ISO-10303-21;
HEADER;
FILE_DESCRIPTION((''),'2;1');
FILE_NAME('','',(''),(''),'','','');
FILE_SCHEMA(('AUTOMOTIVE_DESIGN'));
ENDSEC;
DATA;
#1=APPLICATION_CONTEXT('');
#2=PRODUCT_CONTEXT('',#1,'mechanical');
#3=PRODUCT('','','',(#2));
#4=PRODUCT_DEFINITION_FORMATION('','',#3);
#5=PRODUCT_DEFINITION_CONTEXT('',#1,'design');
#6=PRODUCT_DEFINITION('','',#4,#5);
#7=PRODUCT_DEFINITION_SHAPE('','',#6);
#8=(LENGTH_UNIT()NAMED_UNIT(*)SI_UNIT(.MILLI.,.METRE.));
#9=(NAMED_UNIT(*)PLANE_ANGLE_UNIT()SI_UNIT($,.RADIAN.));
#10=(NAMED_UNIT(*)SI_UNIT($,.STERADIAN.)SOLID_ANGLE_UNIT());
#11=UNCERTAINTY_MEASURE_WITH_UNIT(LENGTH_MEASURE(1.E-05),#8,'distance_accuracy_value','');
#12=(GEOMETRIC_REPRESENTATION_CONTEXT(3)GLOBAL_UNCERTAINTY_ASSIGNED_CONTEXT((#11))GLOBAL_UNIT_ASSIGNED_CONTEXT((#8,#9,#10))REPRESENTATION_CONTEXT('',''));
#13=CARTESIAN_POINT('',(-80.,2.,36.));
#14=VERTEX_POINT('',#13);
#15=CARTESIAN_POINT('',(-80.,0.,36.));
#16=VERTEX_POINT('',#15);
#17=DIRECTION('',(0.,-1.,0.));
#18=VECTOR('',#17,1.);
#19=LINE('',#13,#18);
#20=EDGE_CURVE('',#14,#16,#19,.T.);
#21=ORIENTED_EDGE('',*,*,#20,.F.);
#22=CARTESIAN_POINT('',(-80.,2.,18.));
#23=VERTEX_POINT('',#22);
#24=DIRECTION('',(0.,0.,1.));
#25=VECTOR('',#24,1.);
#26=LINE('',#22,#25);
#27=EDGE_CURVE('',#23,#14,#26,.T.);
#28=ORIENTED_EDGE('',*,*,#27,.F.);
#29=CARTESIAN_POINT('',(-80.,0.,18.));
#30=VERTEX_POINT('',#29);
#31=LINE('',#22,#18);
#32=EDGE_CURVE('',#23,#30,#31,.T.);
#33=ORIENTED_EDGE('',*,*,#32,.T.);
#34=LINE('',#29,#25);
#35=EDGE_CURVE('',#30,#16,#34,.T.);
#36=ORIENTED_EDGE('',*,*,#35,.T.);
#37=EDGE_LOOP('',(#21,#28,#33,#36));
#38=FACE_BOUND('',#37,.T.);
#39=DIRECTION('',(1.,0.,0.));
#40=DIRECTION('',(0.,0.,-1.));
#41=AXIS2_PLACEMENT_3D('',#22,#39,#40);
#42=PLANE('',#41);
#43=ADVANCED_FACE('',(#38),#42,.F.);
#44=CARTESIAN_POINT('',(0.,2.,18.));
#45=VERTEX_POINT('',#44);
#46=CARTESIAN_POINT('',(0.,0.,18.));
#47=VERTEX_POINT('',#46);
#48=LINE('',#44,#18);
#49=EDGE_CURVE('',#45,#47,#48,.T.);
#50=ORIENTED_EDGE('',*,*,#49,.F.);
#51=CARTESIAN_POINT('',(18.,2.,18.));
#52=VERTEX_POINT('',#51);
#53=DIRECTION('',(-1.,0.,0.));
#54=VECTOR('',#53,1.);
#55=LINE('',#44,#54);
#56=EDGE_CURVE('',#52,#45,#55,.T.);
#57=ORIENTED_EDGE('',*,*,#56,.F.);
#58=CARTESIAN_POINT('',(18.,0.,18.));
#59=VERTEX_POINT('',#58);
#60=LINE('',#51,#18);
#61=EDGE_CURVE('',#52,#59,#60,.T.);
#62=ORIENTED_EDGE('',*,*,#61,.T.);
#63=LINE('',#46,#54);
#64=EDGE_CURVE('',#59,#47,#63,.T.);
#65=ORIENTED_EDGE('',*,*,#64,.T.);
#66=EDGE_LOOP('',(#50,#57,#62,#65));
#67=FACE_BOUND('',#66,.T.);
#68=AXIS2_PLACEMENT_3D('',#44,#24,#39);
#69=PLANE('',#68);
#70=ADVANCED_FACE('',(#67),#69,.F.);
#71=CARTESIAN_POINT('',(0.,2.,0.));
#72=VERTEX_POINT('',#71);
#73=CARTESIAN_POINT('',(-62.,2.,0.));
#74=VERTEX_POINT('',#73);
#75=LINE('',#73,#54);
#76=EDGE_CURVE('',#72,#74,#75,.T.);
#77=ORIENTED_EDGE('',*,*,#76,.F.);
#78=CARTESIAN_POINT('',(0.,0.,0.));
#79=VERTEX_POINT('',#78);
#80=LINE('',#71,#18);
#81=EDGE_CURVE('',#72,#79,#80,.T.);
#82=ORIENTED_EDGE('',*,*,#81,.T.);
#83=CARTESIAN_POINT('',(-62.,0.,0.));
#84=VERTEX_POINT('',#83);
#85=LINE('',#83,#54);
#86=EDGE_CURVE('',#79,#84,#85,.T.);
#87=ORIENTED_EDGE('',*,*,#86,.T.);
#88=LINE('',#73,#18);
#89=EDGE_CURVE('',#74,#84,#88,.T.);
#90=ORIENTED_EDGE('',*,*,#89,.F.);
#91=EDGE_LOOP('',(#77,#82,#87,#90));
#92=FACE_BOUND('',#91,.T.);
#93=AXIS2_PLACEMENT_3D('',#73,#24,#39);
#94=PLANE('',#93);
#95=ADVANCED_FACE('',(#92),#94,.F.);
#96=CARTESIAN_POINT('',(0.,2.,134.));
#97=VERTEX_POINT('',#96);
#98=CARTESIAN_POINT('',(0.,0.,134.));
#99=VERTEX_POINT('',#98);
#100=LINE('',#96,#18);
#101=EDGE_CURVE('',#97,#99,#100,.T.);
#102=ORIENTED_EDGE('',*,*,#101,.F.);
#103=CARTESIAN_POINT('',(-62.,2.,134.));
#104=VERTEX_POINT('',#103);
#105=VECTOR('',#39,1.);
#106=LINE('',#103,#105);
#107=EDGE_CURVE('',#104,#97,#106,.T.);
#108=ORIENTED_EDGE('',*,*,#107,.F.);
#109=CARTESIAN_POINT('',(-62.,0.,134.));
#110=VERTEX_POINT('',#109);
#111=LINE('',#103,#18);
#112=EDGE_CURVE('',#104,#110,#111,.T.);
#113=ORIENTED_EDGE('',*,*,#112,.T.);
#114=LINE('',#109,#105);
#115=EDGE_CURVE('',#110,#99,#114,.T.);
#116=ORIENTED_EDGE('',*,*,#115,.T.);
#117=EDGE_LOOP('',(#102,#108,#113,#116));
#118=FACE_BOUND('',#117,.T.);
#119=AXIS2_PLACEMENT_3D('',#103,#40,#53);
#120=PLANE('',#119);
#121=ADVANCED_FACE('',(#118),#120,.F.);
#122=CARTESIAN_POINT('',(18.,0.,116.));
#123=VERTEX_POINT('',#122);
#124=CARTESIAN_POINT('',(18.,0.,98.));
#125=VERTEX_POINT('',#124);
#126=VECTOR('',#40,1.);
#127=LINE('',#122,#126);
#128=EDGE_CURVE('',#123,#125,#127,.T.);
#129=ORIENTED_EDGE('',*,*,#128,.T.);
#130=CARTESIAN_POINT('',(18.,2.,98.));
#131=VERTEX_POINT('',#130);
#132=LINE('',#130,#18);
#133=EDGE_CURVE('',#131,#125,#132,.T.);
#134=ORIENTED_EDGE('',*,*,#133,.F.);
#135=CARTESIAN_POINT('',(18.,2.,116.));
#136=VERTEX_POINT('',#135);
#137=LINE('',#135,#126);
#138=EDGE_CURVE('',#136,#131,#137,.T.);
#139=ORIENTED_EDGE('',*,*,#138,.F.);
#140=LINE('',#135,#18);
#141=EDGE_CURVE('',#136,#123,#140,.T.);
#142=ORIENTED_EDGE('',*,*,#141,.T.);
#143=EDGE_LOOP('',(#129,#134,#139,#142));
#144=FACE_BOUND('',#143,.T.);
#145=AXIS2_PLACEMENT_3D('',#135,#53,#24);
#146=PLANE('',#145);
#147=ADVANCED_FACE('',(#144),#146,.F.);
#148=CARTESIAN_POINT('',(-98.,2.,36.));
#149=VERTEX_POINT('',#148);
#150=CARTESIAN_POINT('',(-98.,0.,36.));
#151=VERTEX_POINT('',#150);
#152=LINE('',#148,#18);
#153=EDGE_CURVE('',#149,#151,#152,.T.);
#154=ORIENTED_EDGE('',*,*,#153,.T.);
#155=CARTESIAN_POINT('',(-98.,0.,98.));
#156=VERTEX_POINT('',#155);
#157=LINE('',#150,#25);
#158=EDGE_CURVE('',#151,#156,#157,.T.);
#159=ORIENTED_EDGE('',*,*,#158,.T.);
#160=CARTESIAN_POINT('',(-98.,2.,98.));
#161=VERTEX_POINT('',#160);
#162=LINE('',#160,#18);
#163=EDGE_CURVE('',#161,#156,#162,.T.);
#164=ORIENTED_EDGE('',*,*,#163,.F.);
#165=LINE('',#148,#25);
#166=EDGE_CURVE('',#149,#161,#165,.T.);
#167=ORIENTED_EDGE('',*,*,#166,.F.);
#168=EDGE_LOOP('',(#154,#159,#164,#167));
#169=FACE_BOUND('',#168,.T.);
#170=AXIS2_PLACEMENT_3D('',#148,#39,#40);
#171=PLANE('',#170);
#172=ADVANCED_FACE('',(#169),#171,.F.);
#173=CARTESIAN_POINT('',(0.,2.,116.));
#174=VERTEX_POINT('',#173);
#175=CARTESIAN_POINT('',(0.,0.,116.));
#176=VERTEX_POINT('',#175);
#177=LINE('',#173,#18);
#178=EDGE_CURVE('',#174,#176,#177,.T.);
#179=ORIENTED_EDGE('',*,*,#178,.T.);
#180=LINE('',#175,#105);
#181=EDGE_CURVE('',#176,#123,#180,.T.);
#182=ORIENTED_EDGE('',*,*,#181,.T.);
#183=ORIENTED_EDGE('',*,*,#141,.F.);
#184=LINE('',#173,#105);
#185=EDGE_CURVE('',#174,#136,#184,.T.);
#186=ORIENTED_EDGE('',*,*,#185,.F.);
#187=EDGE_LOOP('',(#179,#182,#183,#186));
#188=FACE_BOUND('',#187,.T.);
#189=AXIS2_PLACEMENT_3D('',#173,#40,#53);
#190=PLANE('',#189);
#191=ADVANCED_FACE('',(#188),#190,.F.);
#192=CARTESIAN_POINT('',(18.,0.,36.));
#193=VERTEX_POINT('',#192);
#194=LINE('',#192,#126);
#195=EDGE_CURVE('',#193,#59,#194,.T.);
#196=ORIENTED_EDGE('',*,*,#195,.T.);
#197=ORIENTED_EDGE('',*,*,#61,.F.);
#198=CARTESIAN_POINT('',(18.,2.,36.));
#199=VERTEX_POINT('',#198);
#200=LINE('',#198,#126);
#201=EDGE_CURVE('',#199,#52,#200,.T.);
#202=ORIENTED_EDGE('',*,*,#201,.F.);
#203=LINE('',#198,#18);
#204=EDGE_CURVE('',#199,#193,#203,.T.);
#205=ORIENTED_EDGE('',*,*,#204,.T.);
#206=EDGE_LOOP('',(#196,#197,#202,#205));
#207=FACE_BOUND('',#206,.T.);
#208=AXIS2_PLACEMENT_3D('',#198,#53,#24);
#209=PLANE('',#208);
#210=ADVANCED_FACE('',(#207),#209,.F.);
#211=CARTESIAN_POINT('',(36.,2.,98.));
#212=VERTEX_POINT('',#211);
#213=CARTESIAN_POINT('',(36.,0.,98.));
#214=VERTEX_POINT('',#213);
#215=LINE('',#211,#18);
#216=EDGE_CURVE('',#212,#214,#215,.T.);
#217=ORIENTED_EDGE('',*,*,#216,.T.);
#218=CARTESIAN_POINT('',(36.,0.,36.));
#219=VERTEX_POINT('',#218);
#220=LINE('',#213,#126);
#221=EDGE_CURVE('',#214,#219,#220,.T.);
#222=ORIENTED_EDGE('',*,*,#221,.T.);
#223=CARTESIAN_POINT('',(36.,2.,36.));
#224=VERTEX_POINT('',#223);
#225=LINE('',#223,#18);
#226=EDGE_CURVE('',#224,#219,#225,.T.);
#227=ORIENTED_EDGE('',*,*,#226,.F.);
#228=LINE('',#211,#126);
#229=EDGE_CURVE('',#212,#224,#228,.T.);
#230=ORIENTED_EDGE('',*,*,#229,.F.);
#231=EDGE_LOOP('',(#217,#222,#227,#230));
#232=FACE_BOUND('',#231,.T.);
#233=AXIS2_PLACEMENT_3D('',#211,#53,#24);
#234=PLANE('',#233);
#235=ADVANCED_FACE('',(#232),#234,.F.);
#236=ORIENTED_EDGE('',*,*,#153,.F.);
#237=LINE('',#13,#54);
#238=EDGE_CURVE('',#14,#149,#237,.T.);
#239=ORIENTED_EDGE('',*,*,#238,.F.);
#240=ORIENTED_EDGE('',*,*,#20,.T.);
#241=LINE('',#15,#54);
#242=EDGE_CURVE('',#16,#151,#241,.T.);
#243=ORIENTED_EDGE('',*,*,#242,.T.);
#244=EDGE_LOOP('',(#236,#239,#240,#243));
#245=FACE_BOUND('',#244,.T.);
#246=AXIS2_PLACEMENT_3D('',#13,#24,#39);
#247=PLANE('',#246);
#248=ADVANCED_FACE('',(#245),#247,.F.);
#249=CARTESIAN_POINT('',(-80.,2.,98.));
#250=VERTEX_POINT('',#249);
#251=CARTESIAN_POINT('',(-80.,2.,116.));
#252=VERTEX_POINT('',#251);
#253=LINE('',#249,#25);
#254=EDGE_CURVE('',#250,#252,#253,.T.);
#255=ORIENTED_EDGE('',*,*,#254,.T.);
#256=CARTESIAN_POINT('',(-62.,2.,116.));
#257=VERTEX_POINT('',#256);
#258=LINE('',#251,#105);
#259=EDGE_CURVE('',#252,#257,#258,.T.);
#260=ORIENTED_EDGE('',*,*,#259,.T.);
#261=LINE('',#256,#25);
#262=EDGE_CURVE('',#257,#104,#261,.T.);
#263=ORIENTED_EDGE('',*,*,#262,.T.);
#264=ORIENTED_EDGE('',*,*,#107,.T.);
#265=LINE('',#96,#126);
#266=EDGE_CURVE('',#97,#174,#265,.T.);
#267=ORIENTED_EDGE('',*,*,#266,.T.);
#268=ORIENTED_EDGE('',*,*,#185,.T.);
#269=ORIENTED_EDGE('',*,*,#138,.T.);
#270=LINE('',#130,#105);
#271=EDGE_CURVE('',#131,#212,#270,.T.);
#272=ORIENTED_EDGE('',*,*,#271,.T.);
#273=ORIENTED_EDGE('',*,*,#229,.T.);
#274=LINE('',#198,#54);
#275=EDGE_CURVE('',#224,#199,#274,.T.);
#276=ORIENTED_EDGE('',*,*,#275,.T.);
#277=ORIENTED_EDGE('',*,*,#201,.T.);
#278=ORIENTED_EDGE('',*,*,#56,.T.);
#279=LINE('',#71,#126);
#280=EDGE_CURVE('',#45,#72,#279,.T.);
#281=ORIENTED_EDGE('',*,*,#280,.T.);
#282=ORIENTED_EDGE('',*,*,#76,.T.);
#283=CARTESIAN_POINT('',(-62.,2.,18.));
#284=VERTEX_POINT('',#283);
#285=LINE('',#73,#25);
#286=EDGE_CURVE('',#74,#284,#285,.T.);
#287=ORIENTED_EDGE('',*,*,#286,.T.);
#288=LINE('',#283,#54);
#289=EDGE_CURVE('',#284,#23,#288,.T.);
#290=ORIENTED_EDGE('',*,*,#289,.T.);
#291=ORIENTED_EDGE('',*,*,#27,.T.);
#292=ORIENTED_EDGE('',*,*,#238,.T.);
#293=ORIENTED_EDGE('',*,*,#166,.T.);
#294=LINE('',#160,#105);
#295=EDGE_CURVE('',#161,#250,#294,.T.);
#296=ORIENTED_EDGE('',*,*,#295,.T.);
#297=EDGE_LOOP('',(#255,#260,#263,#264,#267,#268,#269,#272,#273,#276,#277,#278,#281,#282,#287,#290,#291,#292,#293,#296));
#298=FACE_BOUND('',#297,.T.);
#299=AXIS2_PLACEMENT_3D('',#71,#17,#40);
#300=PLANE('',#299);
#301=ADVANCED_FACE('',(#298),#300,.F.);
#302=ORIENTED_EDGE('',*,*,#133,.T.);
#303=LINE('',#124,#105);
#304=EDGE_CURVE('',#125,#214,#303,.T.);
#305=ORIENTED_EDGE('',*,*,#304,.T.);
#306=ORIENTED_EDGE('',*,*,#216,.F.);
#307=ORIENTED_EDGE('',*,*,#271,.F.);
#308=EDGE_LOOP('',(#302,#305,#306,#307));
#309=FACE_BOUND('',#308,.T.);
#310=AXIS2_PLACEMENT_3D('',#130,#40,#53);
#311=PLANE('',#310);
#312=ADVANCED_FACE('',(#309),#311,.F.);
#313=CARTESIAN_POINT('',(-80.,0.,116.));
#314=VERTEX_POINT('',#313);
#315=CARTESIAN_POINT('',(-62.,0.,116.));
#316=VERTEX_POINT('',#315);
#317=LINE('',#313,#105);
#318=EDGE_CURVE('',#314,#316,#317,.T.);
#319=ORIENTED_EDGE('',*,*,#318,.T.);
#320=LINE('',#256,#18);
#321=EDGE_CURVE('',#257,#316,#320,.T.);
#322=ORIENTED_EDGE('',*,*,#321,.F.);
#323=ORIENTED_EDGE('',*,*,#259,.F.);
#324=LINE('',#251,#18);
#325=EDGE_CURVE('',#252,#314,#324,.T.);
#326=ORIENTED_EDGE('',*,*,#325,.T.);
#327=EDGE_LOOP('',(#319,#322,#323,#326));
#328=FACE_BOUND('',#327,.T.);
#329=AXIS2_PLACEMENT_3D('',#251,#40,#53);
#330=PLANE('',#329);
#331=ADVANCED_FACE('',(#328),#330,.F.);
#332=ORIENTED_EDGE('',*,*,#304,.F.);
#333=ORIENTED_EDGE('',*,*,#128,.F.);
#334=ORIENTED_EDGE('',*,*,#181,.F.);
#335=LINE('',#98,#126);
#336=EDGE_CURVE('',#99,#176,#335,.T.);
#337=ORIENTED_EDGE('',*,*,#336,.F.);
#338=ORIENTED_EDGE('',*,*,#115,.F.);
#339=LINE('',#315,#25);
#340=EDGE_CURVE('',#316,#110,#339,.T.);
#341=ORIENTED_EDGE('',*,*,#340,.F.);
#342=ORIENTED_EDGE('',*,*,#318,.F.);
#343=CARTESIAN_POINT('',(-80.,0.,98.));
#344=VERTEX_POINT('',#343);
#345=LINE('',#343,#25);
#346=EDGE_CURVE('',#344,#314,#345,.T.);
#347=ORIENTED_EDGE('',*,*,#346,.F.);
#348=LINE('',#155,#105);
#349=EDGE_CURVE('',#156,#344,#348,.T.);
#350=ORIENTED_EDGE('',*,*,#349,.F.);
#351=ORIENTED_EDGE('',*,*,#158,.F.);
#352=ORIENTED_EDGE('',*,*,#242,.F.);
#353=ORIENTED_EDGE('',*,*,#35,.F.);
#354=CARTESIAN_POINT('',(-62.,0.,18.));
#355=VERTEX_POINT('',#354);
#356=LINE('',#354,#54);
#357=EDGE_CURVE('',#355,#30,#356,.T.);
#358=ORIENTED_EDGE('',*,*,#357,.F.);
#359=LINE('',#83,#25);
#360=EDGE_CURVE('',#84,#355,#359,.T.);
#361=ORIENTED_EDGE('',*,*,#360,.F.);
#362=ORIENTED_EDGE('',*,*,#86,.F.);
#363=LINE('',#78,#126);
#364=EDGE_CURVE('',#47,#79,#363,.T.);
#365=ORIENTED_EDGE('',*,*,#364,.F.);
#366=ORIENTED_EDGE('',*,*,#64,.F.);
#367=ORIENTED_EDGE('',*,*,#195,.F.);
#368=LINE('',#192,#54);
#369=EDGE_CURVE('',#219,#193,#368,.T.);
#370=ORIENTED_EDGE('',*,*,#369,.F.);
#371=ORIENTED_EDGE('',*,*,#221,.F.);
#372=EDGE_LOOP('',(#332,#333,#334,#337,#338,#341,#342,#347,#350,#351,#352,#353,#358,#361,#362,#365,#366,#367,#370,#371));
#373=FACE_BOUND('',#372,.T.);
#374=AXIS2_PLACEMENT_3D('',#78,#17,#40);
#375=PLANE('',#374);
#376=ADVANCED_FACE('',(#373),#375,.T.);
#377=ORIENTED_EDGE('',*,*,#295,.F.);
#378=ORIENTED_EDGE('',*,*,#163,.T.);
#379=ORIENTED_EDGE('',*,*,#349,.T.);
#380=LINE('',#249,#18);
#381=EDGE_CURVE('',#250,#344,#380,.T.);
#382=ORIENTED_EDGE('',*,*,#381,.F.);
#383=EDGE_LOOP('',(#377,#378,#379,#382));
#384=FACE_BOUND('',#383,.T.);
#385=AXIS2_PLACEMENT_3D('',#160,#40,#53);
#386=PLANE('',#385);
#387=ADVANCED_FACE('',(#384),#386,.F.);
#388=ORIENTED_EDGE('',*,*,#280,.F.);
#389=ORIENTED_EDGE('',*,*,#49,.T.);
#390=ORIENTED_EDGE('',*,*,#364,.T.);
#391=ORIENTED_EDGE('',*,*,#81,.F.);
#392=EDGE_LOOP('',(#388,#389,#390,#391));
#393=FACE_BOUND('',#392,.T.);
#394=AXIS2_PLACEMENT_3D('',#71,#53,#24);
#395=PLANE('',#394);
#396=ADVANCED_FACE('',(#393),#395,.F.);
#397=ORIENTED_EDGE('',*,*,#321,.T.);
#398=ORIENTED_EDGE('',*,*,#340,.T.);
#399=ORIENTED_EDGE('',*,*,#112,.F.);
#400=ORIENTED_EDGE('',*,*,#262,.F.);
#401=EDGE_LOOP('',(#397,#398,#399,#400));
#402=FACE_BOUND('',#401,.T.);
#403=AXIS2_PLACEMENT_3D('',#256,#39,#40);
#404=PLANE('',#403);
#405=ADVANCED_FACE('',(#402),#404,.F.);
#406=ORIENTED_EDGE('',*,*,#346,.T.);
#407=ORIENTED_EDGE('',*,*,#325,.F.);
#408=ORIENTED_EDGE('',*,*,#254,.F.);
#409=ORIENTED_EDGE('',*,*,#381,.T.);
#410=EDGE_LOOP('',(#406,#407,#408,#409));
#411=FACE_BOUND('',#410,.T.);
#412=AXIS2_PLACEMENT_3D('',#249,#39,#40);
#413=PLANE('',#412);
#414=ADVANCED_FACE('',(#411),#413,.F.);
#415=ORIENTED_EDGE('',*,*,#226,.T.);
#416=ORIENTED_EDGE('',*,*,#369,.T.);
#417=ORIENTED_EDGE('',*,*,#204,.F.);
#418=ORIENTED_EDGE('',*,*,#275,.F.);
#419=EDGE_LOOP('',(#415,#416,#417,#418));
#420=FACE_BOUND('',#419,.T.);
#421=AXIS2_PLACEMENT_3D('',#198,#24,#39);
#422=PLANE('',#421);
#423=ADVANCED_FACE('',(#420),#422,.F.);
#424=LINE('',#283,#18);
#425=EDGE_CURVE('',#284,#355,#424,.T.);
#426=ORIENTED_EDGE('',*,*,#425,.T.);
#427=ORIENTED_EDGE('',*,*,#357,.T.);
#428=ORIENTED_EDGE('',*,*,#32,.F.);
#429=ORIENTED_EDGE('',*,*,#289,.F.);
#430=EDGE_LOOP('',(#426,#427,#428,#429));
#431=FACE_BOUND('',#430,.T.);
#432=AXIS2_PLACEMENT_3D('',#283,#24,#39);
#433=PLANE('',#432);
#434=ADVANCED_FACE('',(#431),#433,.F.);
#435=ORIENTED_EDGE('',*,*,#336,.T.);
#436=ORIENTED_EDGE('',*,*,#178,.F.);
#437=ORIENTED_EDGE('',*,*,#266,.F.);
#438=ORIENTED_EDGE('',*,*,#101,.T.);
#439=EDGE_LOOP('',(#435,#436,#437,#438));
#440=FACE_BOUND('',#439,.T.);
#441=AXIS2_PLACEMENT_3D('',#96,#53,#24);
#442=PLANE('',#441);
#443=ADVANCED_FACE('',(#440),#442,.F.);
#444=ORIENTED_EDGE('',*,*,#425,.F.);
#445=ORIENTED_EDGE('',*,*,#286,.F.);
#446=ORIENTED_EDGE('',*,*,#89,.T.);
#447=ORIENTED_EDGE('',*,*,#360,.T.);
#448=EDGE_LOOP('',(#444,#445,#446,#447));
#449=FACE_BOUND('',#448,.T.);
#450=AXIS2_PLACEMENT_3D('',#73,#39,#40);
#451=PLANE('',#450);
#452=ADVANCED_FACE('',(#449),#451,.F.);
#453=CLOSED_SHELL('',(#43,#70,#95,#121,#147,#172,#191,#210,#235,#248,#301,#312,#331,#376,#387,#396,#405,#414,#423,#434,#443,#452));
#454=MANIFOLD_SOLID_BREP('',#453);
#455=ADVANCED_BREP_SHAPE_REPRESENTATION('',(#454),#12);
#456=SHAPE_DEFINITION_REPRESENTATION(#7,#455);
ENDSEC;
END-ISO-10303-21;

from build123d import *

# Parameters (mm, degrees)
BOSS_EXTRUDE1_DEPTH = 2


with BuildPart() as part:
    # Sketch1 → Boss-Extrude1 (new body)
    with BuildSketch(Plane(origin=(0, 0, 0), x_dir=(1, 0, 0), z_dir=(0, 1, 0))):
        Polygon((-62, 0), (-62, -18), (-80, -18), (-80, -36), (-98, -36), (-98, -98), (-80, -98), (-80, -116), (-62, -116), (-62, -134), (0, -134), (0, -116), (18, -116), (18, -98), (36, -98), (36, -36), (18, -36), (18, -18), (0, -18), (0, 0), align=None)
    extrude(amount=BOSS_EXTRUDE1_DEPTH)


solid = part.part
